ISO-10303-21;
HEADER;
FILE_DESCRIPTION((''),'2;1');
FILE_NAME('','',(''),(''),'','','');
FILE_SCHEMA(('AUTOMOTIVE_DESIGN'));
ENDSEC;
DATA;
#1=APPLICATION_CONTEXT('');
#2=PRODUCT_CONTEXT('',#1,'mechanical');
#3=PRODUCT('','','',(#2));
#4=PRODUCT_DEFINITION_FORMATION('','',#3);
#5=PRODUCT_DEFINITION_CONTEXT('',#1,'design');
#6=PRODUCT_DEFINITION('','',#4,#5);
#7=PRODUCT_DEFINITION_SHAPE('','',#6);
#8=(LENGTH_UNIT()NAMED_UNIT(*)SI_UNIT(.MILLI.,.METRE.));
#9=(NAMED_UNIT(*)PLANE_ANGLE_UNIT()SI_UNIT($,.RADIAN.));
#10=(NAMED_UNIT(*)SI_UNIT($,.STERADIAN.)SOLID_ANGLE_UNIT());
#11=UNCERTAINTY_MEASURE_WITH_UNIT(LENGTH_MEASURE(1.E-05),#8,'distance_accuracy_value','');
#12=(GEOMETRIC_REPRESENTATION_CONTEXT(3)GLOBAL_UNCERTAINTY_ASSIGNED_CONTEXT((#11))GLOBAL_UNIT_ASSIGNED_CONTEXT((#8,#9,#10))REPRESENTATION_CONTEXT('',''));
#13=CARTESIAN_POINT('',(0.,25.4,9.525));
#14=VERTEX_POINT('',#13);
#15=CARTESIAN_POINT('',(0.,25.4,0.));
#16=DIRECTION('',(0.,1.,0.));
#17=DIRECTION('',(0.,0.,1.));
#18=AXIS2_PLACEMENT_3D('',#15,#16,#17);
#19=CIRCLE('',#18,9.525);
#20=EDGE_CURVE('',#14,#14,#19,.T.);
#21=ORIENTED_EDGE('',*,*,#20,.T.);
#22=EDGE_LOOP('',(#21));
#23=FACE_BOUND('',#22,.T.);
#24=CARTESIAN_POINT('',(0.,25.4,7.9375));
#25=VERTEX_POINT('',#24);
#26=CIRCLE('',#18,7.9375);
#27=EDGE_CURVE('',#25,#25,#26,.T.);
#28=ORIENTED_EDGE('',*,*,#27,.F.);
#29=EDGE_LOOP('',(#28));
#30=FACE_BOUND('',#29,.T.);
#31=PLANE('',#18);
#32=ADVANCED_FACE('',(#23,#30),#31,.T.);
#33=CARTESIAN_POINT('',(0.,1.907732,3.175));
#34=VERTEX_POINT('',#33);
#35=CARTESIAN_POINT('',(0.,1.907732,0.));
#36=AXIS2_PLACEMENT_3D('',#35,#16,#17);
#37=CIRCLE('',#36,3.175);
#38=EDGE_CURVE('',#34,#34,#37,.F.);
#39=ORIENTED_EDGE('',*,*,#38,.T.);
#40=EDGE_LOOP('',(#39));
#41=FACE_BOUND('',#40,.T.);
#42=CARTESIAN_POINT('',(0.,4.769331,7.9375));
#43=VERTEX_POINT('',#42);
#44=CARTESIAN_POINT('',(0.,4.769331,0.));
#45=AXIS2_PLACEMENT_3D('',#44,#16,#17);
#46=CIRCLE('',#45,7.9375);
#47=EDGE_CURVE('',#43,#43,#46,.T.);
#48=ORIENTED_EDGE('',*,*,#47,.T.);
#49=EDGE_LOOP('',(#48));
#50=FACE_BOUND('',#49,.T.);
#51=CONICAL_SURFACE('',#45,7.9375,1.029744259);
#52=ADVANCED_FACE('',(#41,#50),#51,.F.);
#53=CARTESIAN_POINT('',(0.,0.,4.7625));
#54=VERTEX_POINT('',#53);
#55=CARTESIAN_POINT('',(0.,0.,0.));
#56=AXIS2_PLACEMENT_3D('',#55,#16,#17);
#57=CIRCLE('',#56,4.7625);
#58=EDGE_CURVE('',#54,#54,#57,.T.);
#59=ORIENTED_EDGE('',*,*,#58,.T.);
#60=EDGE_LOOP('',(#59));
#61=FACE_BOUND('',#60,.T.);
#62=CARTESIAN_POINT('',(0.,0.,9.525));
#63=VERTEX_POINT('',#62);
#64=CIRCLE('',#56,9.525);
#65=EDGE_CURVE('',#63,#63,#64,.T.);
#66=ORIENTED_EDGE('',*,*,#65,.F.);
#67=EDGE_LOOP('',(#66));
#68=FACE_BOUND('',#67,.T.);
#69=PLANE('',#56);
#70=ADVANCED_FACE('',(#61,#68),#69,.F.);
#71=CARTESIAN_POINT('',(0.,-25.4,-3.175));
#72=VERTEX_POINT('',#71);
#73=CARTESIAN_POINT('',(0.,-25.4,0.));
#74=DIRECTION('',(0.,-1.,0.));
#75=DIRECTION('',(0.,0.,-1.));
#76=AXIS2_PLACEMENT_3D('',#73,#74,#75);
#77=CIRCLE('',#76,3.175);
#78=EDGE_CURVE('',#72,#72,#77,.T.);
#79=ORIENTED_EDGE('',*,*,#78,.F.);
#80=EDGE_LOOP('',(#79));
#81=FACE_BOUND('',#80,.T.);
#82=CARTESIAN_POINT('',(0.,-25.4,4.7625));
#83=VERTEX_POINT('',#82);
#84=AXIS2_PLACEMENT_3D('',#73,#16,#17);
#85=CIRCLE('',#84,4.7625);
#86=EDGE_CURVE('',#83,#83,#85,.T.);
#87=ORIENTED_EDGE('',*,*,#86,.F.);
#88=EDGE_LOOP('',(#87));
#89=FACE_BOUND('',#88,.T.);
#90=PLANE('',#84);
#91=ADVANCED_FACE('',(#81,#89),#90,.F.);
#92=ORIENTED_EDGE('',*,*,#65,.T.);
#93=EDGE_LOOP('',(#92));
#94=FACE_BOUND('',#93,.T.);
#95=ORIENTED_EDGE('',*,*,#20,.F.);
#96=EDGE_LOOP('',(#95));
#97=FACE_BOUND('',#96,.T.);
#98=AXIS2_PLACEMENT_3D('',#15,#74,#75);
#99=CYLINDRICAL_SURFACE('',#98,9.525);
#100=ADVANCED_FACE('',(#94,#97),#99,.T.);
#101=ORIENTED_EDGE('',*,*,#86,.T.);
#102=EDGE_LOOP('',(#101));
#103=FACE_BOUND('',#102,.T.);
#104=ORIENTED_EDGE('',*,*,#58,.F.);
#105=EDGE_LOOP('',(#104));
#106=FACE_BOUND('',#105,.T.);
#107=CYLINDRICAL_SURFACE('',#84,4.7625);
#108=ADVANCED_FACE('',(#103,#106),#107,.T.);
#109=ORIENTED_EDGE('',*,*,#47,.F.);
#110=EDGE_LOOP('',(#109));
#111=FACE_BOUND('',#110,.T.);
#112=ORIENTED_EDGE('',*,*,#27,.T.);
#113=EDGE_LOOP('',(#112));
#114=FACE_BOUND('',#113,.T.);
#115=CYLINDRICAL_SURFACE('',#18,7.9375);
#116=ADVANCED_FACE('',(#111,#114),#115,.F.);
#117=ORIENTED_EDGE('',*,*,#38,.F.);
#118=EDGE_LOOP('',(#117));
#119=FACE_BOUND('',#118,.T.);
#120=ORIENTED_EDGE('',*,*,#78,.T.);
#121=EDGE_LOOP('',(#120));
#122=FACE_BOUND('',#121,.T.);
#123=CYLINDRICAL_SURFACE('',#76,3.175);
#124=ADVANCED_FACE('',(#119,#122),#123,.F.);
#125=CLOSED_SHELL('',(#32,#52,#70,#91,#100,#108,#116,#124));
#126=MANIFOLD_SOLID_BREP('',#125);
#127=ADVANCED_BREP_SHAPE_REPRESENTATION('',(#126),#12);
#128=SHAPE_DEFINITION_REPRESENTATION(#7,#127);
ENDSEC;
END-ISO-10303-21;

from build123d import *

# Parameters (mm, degrees)
SKETCH2_R                        = 9.525
SKETCH2_R_2                      = 4.7625
BOSS_EXTRUDE1_DEPTH              = 25.4
SKETCH2_3_R                      = 4.7625
BOSS_EXTRUDE2_DEPTH              = 25.4
F_5_8_0_625_DIAMETER_HOLE1_D     = 15.875
F_5_8_0_625_DIAMETER_HOLE1_DEPTH = 20.630668836
F_5_8_0_625_DIAMETER_HOLE1_TIP   = 4.769331164
F_1_4_0_25_DIAMETER_HOLE1_D      = 6.35


with BuildPart() as part:
    # Sketch2 → Boss-Extrude1 (new body)
    # profile 1 of 2: a face of its own
    with BuildSketch(Plane(origin=(0, 0, 0), x_dir=(1, 0, 0), z_dir=(0, 1, 0))):
        with Locations(Location((0, 0, 0), (0, 0, 270))):
            Circle(SKETCH2_R)
        Circle(SKETCH2_R_2, mode=Mode.SUBTRACT)
    # profile 2 of 2: a face of its own
    with BuildSketch(Plane(origin=(0, 0, 0), x_dir=(1, 0, 0), z_dir=(0, 1, 0))):
        Circle(SKETCH2_R_2)
    extrude(amount=BOSS_EXTRUDE1_DEPTH)

    # Sketch2<3> → Boss-Extrude2 (add)
    with BuildSketch(Plane(origin=(0, 0, 0), x_dir=(1, 0, 0), z_dir=(0, 1, 0))):
        with Locations(Location((0, 0, 0), (0, 0, 270))):
            Circle(SKETCH2_3_R)
    extrude(amount=-BOSS_EXTRUDE2_DEPTH)

    # 5/8 (0.625) Diameter Hole1
    with Locations(Plane(origin=(0, 25.4, 0), x_dir=(1, 0, 0), z_dir=(0, 1, 0))):
        with Locations((0, 0)):
            Hole(F_5_8_0_625_DIAMETER_HOLE1_D / 2, depth=F_5_8_0_625_DIAMETER_HOLE1_DEPTH)
            with Locations((0, 0, -(F_5_8_0_625_DIAMETER_HOLE1_DEPTH + F_5_8_0_625_DIAMETER_HOLE1_TIP / 2))):  # 118° drill point
                Cone(0, F_5_8_0_625_DIAMETER_HOLE1_D / 2, F_5_8_0_625_DIAMETER_HOLE1_TIP, mode=Mode.SUBTRACT)

    # 1/4 (0.25) Diameter Hole1 (through all)
    with Locations(Plane(origin=(0, -25.4, 0), x_dir=(-1, 0, 0), z_dir=(0, -1, 0))):
        with Locations((0, 0)):
            Hole(F_1_4_0_25_DIAMETER_HOLE1_D / 2)


solid = part.part
